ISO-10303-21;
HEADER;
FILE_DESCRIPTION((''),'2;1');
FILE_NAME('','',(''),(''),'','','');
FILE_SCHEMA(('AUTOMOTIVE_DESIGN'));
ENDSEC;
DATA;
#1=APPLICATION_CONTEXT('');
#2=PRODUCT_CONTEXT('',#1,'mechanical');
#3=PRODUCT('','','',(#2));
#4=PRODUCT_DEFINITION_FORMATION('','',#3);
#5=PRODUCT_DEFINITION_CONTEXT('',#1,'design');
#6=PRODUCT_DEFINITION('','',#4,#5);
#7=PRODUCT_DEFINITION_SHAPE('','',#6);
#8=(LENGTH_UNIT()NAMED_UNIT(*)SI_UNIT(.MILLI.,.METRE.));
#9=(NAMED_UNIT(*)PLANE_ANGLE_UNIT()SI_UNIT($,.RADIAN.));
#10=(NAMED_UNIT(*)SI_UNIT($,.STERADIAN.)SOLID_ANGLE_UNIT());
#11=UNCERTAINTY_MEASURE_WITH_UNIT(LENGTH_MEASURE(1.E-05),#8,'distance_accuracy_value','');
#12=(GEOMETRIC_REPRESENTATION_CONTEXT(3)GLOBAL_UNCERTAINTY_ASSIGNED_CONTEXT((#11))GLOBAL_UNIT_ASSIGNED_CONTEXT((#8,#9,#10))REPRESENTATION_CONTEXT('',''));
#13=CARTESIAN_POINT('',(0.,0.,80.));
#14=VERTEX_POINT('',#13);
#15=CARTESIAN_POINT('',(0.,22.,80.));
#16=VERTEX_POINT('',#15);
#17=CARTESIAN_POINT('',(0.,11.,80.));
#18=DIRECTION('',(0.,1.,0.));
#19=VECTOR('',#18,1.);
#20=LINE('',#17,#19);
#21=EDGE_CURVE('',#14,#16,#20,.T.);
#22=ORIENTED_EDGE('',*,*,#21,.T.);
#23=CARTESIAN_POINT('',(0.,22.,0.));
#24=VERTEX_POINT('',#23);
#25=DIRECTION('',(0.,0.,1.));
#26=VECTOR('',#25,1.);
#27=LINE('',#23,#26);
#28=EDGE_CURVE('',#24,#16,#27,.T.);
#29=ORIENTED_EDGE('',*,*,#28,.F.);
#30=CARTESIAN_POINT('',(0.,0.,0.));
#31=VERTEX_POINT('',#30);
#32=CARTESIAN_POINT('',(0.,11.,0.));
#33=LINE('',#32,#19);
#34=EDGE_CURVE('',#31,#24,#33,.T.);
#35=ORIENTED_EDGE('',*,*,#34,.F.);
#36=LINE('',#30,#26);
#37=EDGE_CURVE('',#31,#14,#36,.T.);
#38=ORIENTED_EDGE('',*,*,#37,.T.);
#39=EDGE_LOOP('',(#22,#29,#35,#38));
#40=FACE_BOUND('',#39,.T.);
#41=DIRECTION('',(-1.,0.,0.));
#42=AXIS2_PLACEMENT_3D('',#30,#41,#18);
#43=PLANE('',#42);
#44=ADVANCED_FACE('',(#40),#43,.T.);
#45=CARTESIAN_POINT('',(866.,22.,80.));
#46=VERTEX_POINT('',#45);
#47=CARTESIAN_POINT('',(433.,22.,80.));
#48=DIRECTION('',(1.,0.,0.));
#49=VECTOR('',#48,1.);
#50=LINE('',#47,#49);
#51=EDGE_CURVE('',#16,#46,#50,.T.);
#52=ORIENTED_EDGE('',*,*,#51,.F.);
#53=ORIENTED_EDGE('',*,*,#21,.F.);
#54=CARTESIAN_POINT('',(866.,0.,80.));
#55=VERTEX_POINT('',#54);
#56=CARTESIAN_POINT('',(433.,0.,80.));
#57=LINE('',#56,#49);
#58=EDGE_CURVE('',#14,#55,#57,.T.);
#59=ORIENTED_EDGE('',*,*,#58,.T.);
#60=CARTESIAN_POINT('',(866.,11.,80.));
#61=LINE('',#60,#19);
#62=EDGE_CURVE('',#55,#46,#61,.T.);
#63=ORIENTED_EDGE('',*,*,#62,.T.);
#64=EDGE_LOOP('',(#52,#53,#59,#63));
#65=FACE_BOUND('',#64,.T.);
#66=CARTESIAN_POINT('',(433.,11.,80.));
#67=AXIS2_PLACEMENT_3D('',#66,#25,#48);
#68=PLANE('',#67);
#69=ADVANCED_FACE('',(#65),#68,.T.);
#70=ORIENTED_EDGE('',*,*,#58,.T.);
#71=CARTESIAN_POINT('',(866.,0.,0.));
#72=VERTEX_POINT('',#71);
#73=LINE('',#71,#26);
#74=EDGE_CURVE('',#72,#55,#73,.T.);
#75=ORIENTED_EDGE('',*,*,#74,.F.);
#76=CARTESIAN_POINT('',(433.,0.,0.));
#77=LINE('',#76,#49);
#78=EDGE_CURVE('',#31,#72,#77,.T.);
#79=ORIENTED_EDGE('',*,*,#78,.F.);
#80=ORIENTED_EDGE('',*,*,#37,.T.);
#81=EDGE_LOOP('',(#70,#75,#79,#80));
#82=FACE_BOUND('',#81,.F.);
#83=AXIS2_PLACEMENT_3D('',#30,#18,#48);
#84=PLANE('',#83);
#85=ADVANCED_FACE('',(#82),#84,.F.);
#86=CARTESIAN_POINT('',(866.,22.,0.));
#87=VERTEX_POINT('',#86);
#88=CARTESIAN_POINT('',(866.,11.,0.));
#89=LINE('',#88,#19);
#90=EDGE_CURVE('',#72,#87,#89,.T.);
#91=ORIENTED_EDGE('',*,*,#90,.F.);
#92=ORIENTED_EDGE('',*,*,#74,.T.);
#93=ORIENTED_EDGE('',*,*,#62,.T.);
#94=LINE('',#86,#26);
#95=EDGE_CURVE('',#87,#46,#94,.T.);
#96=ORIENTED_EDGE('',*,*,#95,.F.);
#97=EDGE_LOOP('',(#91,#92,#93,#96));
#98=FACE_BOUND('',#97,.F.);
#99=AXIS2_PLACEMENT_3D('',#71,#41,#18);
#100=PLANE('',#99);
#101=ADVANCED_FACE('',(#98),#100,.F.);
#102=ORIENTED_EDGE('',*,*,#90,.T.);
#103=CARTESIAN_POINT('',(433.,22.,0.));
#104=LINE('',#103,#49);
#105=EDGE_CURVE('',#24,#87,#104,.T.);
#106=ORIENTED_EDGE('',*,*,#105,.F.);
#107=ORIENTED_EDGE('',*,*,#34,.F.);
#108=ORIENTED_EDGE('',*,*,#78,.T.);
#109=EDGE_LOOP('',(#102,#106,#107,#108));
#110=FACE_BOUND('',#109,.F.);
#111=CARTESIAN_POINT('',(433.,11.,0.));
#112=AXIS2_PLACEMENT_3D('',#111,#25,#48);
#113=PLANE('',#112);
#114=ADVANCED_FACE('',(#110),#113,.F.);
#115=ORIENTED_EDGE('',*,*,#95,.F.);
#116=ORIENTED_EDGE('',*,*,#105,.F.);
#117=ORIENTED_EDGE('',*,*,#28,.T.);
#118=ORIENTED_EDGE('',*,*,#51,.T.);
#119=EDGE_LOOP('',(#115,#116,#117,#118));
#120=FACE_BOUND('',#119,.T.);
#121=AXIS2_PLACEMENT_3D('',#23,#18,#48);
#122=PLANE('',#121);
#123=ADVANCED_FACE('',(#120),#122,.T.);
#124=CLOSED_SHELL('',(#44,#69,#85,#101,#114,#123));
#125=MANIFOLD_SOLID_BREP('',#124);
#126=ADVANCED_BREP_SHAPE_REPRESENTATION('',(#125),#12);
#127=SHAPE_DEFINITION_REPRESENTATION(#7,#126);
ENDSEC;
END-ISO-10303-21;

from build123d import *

# Parameters (mm, degrees)
BOX_W     = 866
BOX_H     = 22
BOX_DEPTH = 80


with BuildPart() as part:
    # Box → Box (new body)
    with BuildSketch(Plane.XY):
        with Locations((433, 11)):
            Rectangle(BOX_W, BOX_H)
    extrude(amount=BOX_DEPTH)


solid = part.part
